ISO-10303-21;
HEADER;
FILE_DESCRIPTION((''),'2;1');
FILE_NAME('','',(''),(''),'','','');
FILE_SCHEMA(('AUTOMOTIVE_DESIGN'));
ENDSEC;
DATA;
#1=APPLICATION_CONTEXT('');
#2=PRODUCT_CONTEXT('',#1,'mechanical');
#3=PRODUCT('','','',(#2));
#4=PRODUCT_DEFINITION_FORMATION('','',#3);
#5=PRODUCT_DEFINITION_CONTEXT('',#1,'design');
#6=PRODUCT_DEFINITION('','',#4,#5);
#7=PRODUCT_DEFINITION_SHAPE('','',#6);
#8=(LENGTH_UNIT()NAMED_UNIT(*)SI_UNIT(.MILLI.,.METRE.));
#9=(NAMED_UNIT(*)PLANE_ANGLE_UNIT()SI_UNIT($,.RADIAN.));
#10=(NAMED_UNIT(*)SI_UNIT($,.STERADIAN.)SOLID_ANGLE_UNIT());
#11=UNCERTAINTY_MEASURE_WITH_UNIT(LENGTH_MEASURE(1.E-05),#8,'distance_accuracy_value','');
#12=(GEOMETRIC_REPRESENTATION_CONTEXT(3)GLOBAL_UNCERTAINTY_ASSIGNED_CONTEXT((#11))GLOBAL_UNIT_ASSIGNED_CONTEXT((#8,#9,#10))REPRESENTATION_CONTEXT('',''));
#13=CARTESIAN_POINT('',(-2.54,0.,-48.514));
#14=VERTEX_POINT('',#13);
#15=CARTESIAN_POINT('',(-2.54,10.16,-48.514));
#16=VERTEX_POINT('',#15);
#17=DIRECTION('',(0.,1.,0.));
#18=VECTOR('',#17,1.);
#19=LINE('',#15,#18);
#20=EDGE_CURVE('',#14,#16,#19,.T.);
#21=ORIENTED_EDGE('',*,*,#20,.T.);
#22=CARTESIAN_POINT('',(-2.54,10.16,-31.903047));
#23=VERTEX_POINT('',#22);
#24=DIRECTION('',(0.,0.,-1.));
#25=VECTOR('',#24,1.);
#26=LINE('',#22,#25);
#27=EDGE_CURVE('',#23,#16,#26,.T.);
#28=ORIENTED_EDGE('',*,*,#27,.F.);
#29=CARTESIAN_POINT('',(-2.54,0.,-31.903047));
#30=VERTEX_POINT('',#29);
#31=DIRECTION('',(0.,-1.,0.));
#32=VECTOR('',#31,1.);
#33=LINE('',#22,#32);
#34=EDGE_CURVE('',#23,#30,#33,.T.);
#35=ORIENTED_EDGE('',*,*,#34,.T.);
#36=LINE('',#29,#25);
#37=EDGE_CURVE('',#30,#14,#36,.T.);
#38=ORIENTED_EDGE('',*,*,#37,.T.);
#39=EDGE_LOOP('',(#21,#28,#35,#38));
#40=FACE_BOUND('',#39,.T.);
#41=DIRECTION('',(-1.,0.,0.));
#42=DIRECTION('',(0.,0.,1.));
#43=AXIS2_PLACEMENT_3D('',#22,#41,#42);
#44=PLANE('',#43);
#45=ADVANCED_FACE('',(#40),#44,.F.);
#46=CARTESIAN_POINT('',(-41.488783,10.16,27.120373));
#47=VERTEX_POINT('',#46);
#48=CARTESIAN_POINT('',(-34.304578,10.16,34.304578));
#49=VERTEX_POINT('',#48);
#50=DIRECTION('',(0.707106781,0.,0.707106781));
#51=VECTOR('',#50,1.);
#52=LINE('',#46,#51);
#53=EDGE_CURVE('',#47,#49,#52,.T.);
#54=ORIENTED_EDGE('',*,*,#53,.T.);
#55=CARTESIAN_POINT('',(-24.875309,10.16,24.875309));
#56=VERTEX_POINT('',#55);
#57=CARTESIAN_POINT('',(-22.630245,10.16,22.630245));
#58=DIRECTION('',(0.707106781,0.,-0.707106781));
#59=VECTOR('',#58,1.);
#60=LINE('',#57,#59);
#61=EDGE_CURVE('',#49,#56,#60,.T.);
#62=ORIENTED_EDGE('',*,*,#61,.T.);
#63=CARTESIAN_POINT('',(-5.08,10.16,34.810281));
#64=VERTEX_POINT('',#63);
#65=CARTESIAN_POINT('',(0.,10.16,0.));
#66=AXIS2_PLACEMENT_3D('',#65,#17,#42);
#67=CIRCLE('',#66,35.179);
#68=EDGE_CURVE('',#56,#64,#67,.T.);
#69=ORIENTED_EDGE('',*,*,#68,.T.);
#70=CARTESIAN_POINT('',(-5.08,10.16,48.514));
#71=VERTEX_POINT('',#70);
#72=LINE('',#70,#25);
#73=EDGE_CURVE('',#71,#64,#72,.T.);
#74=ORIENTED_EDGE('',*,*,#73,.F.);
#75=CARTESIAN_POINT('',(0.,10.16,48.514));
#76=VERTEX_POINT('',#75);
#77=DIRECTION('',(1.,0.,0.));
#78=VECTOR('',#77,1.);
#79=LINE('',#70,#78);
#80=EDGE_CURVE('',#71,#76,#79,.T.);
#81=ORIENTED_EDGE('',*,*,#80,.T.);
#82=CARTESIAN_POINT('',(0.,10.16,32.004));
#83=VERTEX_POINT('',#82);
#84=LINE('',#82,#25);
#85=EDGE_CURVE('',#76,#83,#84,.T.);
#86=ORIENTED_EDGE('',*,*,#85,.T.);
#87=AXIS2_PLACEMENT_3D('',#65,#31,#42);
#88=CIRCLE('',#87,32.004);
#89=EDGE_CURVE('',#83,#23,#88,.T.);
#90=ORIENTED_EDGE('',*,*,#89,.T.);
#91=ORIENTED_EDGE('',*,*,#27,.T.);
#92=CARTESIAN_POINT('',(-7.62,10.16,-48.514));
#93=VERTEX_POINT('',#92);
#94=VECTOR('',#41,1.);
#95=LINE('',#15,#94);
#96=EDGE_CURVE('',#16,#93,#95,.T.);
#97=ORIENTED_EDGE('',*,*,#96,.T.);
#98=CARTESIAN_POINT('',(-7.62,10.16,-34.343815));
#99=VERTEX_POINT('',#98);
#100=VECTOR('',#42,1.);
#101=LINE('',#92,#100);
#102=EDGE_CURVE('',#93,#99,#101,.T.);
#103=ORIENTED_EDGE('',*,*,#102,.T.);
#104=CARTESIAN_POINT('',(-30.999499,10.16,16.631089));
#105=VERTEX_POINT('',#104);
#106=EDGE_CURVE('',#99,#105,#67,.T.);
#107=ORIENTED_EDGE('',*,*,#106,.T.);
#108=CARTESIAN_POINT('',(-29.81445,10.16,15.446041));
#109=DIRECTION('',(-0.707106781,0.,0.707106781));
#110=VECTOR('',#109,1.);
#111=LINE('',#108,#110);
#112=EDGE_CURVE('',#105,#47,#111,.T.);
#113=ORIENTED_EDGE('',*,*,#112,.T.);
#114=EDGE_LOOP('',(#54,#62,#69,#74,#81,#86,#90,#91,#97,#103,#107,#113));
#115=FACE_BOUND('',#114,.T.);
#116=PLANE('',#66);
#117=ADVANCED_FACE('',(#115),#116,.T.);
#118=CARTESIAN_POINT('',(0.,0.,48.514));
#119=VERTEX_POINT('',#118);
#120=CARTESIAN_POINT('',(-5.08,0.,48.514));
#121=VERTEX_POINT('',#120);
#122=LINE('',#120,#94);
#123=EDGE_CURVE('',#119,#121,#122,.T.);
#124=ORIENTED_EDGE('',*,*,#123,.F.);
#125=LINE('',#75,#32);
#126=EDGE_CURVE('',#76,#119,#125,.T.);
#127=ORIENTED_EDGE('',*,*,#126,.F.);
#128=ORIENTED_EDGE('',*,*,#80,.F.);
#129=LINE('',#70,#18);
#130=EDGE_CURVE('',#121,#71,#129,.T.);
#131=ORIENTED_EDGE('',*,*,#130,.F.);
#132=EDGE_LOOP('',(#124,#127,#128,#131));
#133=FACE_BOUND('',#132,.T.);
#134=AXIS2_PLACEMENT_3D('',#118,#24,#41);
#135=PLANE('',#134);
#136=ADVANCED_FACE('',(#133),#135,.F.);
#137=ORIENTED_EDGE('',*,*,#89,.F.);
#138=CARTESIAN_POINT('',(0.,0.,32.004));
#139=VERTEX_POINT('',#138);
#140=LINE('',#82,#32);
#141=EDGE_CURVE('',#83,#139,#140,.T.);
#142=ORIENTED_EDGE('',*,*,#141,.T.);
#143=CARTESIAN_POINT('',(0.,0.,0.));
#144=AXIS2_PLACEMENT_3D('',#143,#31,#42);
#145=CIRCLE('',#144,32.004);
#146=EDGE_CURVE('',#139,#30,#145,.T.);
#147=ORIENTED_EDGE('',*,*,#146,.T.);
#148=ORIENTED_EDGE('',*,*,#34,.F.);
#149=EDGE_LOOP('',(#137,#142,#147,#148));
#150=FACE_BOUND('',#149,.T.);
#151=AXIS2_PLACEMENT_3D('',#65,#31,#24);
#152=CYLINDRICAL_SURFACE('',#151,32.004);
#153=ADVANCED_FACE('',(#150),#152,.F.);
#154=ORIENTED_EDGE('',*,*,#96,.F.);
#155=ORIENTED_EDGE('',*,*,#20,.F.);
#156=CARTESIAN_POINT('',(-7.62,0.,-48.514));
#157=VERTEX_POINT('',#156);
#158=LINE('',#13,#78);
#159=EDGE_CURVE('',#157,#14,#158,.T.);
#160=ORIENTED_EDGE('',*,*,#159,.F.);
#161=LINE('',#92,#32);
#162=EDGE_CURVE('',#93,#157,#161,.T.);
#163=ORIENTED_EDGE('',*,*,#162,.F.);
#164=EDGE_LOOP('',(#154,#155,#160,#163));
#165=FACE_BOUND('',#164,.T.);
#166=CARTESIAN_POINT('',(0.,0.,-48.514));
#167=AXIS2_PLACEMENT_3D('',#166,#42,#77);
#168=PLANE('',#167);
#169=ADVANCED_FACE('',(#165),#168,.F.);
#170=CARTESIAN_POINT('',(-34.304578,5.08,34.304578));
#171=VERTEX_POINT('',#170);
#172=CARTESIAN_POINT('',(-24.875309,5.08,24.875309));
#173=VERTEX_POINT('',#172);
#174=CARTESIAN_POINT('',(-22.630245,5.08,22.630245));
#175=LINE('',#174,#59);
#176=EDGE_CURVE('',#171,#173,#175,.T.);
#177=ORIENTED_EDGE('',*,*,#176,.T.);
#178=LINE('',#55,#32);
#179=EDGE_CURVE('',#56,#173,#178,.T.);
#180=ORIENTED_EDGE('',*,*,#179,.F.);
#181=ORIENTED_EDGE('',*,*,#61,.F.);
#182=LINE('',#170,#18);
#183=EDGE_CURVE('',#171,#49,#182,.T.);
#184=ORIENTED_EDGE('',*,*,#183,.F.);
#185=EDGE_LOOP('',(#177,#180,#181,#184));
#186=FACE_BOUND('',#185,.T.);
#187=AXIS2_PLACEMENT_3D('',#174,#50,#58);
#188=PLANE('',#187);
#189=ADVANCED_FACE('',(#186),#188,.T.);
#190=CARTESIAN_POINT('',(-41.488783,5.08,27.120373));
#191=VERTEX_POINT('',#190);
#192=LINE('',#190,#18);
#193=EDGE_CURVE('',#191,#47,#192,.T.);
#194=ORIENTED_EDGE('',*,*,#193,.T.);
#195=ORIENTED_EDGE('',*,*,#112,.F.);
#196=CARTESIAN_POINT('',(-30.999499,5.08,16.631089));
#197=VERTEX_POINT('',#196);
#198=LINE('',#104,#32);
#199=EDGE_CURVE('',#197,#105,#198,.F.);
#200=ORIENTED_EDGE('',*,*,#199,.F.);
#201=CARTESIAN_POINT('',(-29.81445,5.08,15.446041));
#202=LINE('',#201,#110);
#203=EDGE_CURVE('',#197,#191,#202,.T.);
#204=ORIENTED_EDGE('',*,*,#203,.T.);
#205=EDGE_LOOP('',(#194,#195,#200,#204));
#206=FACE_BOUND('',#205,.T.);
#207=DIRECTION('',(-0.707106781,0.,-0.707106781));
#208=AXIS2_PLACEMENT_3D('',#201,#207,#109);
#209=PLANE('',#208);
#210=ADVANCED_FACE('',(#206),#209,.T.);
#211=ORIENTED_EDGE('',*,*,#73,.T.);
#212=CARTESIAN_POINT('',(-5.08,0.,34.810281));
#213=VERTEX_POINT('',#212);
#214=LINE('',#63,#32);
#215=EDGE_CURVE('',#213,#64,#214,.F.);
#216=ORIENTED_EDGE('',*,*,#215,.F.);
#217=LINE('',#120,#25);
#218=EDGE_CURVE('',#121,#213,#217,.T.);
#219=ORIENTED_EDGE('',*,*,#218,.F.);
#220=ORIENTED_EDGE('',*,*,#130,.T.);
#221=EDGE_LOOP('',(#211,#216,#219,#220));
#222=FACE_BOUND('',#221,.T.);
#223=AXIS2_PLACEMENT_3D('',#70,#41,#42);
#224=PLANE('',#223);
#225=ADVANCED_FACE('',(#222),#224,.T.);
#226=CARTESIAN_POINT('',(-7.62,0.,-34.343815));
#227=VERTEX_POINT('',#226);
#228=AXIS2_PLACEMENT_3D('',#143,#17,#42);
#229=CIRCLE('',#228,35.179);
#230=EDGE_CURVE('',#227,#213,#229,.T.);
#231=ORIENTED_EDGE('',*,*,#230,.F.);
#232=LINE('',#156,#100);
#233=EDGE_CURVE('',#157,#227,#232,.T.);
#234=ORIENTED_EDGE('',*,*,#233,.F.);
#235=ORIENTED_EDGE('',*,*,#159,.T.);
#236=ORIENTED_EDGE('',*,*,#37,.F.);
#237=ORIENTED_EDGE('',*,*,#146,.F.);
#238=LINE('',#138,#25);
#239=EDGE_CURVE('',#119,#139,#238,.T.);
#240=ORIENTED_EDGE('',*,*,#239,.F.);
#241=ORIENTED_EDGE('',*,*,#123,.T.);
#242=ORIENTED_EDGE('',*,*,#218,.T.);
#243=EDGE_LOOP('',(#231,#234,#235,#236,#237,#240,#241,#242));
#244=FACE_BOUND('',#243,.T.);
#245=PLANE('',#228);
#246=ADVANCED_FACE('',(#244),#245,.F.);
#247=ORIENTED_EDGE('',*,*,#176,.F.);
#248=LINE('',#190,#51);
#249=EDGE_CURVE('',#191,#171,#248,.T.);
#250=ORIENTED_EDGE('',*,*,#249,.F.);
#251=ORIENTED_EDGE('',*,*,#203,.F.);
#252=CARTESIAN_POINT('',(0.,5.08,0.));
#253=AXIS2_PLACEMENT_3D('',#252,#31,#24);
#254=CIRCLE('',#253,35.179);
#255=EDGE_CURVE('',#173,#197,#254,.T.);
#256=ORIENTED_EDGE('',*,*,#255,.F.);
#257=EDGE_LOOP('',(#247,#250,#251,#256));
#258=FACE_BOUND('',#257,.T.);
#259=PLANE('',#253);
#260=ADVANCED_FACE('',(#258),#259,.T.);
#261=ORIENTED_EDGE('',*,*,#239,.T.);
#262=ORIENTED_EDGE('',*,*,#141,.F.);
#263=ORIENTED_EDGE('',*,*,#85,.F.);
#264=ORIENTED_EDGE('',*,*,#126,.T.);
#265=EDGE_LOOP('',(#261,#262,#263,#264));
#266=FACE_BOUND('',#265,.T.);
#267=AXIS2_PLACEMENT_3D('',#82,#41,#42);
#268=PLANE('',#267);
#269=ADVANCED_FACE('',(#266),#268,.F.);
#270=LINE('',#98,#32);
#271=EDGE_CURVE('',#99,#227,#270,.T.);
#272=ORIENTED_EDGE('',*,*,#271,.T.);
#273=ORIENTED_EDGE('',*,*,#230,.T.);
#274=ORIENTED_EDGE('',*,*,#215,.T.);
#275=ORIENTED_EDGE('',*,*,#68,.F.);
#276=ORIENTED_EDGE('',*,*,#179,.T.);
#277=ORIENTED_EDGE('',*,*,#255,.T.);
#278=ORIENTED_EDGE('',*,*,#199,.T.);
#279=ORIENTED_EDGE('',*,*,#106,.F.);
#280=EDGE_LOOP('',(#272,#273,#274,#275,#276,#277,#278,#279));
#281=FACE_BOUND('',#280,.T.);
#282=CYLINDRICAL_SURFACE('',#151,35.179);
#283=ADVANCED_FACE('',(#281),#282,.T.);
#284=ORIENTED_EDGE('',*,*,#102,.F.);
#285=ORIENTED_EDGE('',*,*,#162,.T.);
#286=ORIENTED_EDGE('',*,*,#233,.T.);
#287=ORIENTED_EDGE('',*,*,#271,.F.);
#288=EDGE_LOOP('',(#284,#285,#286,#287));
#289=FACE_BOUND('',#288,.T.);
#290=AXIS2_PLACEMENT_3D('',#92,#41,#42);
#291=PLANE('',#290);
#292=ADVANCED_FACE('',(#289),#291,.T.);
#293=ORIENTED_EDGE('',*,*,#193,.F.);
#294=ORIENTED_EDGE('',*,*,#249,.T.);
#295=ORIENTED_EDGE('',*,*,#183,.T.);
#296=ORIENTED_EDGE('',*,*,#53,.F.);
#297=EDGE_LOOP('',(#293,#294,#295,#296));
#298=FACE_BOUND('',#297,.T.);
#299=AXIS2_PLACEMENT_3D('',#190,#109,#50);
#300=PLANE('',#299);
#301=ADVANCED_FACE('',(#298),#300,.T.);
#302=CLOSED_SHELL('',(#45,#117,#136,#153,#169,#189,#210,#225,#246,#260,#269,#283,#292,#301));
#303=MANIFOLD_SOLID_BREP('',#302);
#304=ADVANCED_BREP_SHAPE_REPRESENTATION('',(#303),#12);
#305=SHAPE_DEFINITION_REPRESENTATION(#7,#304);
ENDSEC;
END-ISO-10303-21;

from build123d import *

# Parameters (mm, degrees)
BOSS_EXTRUDE1_DEPTH = 10.16
SKETCH3_W           = 10.16
SKETCH3_H           = 5.08
BOSS_EXTRUDE2_DEPTH = 16.51
SKETCH4_W           = 10.16
SKETCH4_H           = 5.08
BOSS_EXTRUDE3_DEPTH = 16.51
BOSS_EXTRUDE4_DEPTH = 5.08


with BuildPart() as part:
    # Sketch1 → Boss-Extrude1 (new body)
    with BuildSketch(Plane(origin=(0, 0, 0), x_dir=(1, 0, 0), z_dir=(0, 1, 0))):
        with BuildLine():
            Line((0, -32.004), (0, -35.179))
            ThreePointArc((0, -35.179), (-35.156038364, -1.270829481), (-2.54, 35.087183429))
            Line((-2.54, 35.087183429), (-2.54, 31.903047127))
            ThreePointArc((-2.54, 31.903047127), (-31.978751823, -1.271002703), (0, -32.004))
        make_face()
    extrude(amount=BOSS_EXTRUDE1_DEPTH)

    # Sketch3 → Boss-Extrude2 (add)
    with BuildSketch(Plane(origin=(0, 0, 32.004), x_dir=(0, -1, 0), z_dir=(0, 0, -1))):
        with Locations((-5.08, 2.54)):
            Rectangle(SKETCH3_W, SKETCH3_H)
    extrude(amount=-BOSS_EXTRUDE2_DEPTH)

    # Sketch4 → Boss-Extrude3 (add)
    with BuildSketch(Plane(origin=(0, 0, -32.004), x_dir=(0, -1, 0), z_dir=(0, 0, 1))):
        with Locations((-5.08, -5.08)):
            Rectangle(SKETCH4_W, SKETCH4_H)
    extrude(amount=-BOSS_EXTRUDE3_DEPTH)

    # Sketch5 → Boss-Extrude4 (add)
    with BuildSketch(Plane(origin=(0, 10.16, 0), x_dir=(1, 0, 0), z_dir=(0, 1, 0))):
        Polygon((-22.630245425, -22.630245425), (-34.304578382, -34.304578382), (-41.488783279, -27.120373486), (-29.814450322, -15.446040528), align=None)
    extrude(amount=-BOSS_EXTRUDE4_DEPTH)


solid = part.part
